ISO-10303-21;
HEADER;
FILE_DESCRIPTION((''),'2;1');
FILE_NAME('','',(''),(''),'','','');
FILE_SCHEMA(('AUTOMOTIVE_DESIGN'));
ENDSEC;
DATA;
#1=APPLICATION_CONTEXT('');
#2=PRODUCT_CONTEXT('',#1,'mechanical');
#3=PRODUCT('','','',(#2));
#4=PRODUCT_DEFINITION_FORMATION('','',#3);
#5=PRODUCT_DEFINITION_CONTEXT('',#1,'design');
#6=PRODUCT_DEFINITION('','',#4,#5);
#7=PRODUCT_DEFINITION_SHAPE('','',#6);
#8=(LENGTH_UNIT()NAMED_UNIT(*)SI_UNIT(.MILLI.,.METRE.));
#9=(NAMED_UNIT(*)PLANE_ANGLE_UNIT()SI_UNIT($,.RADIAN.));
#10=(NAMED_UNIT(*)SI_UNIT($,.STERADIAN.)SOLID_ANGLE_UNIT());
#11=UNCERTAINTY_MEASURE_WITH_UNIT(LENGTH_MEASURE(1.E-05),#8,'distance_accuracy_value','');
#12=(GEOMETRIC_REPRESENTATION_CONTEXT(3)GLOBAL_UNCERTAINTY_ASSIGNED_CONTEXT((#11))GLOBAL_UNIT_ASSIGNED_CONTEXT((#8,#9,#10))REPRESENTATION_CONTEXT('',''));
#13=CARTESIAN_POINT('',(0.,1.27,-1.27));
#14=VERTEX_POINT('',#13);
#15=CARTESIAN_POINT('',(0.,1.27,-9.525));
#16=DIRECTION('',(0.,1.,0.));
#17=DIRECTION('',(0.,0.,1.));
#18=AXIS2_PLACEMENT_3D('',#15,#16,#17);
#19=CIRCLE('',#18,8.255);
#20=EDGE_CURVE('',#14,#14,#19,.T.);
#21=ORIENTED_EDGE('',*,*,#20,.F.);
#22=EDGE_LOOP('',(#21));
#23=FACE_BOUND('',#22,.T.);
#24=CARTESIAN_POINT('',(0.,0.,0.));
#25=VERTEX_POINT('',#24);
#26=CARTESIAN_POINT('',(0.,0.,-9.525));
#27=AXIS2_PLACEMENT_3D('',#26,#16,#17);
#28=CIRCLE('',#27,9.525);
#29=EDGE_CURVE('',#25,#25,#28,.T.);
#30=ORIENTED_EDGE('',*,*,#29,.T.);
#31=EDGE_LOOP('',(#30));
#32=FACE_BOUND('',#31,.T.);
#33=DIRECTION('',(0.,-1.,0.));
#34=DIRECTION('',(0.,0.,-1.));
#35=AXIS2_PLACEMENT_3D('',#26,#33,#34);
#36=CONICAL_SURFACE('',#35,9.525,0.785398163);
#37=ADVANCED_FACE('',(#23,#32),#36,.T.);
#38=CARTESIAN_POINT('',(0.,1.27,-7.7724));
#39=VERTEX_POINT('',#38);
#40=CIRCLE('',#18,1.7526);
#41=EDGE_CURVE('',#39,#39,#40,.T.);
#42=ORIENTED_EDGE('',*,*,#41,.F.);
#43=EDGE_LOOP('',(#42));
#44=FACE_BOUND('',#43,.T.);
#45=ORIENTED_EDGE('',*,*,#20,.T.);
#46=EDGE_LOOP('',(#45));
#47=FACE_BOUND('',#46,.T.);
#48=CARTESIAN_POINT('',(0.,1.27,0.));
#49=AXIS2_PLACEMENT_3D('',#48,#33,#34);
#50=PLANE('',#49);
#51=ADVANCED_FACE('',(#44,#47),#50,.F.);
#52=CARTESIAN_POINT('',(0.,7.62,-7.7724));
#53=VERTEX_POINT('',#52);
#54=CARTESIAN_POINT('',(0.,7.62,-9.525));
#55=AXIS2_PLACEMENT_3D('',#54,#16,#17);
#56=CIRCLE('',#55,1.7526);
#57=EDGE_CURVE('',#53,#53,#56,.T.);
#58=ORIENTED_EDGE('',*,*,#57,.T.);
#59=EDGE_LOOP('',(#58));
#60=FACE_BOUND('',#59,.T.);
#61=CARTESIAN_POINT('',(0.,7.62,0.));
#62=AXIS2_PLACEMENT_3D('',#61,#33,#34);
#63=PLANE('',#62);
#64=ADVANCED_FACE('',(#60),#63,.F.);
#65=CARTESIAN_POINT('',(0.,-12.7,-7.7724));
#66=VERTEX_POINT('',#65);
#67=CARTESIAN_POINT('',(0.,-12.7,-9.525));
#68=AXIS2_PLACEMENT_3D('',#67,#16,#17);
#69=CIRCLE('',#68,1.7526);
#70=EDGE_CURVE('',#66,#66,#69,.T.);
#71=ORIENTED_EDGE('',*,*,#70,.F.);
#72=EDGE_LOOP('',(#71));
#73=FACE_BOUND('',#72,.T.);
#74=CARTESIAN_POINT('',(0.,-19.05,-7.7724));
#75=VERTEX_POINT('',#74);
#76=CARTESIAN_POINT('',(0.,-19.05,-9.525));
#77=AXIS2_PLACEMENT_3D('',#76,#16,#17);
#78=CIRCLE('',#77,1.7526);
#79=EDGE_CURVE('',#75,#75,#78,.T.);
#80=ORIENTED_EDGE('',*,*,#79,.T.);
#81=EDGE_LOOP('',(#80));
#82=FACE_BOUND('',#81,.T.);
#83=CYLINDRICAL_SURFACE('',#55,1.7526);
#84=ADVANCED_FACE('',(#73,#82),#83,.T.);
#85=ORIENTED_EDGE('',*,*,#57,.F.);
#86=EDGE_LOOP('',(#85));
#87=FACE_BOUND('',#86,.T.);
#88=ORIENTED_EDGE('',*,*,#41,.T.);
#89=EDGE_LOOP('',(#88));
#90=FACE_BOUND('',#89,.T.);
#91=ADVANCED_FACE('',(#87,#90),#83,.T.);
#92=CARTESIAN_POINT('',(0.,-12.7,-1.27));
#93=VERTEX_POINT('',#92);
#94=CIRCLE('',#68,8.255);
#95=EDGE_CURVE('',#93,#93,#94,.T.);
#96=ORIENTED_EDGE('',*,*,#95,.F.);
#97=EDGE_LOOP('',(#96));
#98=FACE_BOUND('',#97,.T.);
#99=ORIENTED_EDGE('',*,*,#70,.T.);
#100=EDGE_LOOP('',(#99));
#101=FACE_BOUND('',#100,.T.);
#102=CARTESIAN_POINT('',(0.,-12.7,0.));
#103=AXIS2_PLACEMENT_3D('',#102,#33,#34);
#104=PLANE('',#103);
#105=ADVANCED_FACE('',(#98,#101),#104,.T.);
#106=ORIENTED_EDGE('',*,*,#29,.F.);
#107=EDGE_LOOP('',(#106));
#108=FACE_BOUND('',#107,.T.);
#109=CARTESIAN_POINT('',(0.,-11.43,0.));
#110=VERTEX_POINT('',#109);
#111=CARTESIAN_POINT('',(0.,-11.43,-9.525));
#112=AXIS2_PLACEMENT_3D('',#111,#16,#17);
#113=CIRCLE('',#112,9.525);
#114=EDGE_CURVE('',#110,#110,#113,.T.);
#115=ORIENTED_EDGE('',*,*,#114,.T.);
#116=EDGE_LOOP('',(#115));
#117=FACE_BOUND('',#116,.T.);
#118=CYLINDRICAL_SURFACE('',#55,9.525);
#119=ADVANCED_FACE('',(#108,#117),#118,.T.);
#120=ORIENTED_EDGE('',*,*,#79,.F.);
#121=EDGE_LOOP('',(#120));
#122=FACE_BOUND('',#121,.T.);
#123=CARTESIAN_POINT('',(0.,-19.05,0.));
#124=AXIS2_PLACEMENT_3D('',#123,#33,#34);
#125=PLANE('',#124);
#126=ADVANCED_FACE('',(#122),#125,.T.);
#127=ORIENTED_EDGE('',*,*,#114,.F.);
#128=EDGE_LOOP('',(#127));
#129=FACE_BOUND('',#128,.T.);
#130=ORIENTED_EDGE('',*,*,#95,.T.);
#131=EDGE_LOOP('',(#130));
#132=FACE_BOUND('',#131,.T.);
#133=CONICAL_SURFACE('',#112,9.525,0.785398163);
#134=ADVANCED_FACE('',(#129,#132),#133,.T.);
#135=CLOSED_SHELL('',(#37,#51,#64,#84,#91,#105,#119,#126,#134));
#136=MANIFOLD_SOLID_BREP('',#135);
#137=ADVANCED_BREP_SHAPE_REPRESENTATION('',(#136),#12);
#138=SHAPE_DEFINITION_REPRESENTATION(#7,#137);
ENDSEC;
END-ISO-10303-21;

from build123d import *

# Parameters (mm, degrees)
SKETCH1_W   = 9.525
SKETCH1_H   = 11.43
SKETCH1_W_2 = 1.7526
SKETCH1_H_2 = 6.35


with BuildPart() as part:
    # Sketch1 → Revolve1 (revolve)
    with BuildSketch(Plane(origin=(0, 0, 0), x_dir=(0, 0, -1), z_dir=(1, 0, 0))):
        with Locations((4.7625, -5.715)):
            Rectangle(SKETCH1_W, SKETCH1_H)
        Polygon((1.27, 1.27), (0, 0), (9.525, 0), (9.525, 1.27), (7.7724, 1.27), align=None)
        with Locations((8.6487, 4.445)):
            Rectangle(SKETCH1_W_2, SKETCH1_H_2)
        Polygon((9.525, -11.43), (0, -11.43), (1.27, -12.7), (7.7724, -12.7), (9.525, -12.7), align=None)
        with Locations((8.6487, -15.875)):
            Rectangle(SKETCH1_W_2, SKETCH1_H_2)
    revolve(axis=Axis((0, 7.62, -9.525), (0, -1, 0)))


solid = part.part
